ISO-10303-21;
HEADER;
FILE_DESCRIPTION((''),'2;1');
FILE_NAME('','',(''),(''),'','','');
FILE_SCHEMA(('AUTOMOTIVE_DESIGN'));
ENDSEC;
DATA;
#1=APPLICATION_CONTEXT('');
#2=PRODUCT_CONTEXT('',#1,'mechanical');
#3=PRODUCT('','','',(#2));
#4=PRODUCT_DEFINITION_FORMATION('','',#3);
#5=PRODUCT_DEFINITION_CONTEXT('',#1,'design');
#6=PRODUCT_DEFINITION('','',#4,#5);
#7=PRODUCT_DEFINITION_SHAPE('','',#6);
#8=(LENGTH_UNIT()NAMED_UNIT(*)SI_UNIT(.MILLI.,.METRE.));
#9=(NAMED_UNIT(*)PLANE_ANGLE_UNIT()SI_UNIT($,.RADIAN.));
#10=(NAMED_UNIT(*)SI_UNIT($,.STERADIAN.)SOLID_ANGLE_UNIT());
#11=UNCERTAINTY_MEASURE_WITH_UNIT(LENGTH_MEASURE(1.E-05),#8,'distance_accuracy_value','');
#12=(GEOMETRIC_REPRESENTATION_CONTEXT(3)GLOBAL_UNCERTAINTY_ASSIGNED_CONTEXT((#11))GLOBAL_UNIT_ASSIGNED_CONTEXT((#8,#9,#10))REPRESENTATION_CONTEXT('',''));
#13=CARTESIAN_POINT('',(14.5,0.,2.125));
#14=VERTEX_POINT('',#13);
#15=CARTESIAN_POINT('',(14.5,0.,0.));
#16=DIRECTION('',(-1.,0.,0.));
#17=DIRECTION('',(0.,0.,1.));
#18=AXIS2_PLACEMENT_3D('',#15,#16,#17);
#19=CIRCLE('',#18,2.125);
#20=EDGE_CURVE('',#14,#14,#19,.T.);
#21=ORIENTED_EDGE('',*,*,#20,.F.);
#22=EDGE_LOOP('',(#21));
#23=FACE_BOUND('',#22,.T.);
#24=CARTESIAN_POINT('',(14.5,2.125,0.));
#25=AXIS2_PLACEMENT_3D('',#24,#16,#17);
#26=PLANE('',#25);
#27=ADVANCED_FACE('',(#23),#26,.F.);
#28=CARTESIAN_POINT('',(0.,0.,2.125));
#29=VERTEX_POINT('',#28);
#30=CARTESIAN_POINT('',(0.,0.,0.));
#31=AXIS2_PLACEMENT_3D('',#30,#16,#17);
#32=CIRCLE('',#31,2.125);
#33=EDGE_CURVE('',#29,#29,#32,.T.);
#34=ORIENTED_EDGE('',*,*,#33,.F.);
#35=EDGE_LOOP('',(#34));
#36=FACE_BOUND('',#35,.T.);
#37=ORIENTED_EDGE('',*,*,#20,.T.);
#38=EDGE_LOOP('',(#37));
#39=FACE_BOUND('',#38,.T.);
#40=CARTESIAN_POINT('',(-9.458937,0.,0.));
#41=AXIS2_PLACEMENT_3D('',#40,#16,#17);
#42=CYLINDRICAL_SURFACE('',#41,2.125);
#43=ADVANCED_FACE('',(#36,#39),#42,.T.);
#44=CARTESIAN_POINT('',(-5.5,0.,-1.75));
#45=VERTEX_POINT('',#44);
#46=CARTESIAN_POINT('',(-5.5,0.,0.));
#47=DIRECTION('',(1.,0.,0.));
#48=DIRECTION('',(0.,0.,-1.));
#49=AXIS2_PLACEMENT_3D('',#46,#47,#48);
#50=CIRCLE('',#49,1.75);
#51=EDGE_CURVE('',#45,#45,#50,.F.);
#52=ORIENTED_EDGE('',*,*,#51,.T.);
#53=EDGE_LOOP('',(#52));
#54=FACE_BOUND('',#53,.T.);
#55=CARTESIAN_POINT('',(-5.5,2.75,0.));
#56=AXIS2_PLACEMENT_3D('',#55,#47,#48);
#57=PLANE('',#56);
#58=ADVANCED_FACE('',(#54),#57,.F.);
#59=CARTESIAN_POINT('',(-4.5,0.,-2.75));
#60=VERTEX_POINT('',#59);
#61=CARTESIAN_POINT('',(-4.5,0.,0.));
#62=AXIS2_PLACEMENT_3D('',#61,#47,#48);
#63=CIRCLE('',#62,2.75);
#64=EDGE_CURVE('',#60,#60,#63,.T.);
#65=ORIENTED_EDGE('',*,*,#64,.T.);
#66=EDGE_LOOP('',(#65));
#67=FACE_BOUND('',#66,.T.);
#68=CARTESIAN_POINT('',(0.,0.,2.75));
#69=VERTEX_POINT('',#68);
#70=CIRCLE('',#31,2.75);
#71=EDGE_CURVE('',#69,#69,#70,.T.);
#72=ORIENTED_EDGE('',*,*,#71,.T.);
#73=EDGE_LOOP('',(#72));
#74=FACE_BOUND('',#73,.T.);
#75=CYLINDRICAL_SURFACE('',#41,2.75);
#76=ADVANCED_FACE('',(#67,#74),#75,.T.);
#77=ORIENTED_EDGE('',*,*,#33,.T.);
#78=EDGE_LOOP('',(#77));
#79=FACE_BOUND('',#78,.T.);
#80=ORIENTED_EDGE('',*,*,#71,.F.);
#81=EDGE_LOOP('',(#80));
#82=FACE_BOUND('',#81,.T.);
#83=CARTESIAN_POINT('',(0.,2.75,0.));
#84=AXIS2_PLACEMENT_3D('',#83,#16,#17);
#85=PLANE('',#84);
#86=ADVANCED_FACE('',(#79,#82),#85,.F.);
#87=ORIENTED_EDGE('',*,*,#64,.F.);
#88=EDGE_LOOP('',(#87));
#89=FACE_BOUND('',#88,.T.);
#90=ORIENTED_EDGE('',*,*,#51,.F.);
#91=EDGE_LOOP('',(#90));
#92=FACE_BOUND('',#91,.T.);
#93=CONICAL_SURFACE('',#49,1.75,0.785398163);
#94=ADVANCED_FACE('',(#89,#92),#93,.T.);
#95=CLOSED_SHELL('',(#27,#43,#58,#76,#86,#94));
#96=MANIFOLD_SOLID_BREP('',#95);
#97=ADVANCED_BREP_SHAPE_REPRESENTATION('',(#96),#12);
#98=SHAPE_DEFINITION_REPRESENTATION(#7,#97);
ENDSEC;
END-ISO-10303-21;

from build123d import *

# Parameters (mm, degrees)
CHAMFER1_SIZE = 1


with BuildPart() as part:
    # Sketch1 → Revolve1 (revolve)
    with BuildSketch(Plane.XY, mode=Mode.PRIVATE) as revolve1_sk:
        Polygon((0, 2.75), (-5.5, 2.75), (-5.5, 0), (14.5, 0), (14.5, 2.125), (0, 2.125), align=None)
    revolve(revolve1_sk.sketch.rotate(Axis((-9.458937198, 0, 0), (1, 0, 0)), 90), axis=Axis((-9.458937198, 0, 0), (1, 0, 0)))

    # Chamfer1
    chamfer1_edges = [part.edges().sort_by_distance(p)[0] for p in [
        (-5.5, 0, -2.75),
    ]]
    chamfer(chamfer1_edges, length=CHAMFER1_SIZE)


solid = part.part
